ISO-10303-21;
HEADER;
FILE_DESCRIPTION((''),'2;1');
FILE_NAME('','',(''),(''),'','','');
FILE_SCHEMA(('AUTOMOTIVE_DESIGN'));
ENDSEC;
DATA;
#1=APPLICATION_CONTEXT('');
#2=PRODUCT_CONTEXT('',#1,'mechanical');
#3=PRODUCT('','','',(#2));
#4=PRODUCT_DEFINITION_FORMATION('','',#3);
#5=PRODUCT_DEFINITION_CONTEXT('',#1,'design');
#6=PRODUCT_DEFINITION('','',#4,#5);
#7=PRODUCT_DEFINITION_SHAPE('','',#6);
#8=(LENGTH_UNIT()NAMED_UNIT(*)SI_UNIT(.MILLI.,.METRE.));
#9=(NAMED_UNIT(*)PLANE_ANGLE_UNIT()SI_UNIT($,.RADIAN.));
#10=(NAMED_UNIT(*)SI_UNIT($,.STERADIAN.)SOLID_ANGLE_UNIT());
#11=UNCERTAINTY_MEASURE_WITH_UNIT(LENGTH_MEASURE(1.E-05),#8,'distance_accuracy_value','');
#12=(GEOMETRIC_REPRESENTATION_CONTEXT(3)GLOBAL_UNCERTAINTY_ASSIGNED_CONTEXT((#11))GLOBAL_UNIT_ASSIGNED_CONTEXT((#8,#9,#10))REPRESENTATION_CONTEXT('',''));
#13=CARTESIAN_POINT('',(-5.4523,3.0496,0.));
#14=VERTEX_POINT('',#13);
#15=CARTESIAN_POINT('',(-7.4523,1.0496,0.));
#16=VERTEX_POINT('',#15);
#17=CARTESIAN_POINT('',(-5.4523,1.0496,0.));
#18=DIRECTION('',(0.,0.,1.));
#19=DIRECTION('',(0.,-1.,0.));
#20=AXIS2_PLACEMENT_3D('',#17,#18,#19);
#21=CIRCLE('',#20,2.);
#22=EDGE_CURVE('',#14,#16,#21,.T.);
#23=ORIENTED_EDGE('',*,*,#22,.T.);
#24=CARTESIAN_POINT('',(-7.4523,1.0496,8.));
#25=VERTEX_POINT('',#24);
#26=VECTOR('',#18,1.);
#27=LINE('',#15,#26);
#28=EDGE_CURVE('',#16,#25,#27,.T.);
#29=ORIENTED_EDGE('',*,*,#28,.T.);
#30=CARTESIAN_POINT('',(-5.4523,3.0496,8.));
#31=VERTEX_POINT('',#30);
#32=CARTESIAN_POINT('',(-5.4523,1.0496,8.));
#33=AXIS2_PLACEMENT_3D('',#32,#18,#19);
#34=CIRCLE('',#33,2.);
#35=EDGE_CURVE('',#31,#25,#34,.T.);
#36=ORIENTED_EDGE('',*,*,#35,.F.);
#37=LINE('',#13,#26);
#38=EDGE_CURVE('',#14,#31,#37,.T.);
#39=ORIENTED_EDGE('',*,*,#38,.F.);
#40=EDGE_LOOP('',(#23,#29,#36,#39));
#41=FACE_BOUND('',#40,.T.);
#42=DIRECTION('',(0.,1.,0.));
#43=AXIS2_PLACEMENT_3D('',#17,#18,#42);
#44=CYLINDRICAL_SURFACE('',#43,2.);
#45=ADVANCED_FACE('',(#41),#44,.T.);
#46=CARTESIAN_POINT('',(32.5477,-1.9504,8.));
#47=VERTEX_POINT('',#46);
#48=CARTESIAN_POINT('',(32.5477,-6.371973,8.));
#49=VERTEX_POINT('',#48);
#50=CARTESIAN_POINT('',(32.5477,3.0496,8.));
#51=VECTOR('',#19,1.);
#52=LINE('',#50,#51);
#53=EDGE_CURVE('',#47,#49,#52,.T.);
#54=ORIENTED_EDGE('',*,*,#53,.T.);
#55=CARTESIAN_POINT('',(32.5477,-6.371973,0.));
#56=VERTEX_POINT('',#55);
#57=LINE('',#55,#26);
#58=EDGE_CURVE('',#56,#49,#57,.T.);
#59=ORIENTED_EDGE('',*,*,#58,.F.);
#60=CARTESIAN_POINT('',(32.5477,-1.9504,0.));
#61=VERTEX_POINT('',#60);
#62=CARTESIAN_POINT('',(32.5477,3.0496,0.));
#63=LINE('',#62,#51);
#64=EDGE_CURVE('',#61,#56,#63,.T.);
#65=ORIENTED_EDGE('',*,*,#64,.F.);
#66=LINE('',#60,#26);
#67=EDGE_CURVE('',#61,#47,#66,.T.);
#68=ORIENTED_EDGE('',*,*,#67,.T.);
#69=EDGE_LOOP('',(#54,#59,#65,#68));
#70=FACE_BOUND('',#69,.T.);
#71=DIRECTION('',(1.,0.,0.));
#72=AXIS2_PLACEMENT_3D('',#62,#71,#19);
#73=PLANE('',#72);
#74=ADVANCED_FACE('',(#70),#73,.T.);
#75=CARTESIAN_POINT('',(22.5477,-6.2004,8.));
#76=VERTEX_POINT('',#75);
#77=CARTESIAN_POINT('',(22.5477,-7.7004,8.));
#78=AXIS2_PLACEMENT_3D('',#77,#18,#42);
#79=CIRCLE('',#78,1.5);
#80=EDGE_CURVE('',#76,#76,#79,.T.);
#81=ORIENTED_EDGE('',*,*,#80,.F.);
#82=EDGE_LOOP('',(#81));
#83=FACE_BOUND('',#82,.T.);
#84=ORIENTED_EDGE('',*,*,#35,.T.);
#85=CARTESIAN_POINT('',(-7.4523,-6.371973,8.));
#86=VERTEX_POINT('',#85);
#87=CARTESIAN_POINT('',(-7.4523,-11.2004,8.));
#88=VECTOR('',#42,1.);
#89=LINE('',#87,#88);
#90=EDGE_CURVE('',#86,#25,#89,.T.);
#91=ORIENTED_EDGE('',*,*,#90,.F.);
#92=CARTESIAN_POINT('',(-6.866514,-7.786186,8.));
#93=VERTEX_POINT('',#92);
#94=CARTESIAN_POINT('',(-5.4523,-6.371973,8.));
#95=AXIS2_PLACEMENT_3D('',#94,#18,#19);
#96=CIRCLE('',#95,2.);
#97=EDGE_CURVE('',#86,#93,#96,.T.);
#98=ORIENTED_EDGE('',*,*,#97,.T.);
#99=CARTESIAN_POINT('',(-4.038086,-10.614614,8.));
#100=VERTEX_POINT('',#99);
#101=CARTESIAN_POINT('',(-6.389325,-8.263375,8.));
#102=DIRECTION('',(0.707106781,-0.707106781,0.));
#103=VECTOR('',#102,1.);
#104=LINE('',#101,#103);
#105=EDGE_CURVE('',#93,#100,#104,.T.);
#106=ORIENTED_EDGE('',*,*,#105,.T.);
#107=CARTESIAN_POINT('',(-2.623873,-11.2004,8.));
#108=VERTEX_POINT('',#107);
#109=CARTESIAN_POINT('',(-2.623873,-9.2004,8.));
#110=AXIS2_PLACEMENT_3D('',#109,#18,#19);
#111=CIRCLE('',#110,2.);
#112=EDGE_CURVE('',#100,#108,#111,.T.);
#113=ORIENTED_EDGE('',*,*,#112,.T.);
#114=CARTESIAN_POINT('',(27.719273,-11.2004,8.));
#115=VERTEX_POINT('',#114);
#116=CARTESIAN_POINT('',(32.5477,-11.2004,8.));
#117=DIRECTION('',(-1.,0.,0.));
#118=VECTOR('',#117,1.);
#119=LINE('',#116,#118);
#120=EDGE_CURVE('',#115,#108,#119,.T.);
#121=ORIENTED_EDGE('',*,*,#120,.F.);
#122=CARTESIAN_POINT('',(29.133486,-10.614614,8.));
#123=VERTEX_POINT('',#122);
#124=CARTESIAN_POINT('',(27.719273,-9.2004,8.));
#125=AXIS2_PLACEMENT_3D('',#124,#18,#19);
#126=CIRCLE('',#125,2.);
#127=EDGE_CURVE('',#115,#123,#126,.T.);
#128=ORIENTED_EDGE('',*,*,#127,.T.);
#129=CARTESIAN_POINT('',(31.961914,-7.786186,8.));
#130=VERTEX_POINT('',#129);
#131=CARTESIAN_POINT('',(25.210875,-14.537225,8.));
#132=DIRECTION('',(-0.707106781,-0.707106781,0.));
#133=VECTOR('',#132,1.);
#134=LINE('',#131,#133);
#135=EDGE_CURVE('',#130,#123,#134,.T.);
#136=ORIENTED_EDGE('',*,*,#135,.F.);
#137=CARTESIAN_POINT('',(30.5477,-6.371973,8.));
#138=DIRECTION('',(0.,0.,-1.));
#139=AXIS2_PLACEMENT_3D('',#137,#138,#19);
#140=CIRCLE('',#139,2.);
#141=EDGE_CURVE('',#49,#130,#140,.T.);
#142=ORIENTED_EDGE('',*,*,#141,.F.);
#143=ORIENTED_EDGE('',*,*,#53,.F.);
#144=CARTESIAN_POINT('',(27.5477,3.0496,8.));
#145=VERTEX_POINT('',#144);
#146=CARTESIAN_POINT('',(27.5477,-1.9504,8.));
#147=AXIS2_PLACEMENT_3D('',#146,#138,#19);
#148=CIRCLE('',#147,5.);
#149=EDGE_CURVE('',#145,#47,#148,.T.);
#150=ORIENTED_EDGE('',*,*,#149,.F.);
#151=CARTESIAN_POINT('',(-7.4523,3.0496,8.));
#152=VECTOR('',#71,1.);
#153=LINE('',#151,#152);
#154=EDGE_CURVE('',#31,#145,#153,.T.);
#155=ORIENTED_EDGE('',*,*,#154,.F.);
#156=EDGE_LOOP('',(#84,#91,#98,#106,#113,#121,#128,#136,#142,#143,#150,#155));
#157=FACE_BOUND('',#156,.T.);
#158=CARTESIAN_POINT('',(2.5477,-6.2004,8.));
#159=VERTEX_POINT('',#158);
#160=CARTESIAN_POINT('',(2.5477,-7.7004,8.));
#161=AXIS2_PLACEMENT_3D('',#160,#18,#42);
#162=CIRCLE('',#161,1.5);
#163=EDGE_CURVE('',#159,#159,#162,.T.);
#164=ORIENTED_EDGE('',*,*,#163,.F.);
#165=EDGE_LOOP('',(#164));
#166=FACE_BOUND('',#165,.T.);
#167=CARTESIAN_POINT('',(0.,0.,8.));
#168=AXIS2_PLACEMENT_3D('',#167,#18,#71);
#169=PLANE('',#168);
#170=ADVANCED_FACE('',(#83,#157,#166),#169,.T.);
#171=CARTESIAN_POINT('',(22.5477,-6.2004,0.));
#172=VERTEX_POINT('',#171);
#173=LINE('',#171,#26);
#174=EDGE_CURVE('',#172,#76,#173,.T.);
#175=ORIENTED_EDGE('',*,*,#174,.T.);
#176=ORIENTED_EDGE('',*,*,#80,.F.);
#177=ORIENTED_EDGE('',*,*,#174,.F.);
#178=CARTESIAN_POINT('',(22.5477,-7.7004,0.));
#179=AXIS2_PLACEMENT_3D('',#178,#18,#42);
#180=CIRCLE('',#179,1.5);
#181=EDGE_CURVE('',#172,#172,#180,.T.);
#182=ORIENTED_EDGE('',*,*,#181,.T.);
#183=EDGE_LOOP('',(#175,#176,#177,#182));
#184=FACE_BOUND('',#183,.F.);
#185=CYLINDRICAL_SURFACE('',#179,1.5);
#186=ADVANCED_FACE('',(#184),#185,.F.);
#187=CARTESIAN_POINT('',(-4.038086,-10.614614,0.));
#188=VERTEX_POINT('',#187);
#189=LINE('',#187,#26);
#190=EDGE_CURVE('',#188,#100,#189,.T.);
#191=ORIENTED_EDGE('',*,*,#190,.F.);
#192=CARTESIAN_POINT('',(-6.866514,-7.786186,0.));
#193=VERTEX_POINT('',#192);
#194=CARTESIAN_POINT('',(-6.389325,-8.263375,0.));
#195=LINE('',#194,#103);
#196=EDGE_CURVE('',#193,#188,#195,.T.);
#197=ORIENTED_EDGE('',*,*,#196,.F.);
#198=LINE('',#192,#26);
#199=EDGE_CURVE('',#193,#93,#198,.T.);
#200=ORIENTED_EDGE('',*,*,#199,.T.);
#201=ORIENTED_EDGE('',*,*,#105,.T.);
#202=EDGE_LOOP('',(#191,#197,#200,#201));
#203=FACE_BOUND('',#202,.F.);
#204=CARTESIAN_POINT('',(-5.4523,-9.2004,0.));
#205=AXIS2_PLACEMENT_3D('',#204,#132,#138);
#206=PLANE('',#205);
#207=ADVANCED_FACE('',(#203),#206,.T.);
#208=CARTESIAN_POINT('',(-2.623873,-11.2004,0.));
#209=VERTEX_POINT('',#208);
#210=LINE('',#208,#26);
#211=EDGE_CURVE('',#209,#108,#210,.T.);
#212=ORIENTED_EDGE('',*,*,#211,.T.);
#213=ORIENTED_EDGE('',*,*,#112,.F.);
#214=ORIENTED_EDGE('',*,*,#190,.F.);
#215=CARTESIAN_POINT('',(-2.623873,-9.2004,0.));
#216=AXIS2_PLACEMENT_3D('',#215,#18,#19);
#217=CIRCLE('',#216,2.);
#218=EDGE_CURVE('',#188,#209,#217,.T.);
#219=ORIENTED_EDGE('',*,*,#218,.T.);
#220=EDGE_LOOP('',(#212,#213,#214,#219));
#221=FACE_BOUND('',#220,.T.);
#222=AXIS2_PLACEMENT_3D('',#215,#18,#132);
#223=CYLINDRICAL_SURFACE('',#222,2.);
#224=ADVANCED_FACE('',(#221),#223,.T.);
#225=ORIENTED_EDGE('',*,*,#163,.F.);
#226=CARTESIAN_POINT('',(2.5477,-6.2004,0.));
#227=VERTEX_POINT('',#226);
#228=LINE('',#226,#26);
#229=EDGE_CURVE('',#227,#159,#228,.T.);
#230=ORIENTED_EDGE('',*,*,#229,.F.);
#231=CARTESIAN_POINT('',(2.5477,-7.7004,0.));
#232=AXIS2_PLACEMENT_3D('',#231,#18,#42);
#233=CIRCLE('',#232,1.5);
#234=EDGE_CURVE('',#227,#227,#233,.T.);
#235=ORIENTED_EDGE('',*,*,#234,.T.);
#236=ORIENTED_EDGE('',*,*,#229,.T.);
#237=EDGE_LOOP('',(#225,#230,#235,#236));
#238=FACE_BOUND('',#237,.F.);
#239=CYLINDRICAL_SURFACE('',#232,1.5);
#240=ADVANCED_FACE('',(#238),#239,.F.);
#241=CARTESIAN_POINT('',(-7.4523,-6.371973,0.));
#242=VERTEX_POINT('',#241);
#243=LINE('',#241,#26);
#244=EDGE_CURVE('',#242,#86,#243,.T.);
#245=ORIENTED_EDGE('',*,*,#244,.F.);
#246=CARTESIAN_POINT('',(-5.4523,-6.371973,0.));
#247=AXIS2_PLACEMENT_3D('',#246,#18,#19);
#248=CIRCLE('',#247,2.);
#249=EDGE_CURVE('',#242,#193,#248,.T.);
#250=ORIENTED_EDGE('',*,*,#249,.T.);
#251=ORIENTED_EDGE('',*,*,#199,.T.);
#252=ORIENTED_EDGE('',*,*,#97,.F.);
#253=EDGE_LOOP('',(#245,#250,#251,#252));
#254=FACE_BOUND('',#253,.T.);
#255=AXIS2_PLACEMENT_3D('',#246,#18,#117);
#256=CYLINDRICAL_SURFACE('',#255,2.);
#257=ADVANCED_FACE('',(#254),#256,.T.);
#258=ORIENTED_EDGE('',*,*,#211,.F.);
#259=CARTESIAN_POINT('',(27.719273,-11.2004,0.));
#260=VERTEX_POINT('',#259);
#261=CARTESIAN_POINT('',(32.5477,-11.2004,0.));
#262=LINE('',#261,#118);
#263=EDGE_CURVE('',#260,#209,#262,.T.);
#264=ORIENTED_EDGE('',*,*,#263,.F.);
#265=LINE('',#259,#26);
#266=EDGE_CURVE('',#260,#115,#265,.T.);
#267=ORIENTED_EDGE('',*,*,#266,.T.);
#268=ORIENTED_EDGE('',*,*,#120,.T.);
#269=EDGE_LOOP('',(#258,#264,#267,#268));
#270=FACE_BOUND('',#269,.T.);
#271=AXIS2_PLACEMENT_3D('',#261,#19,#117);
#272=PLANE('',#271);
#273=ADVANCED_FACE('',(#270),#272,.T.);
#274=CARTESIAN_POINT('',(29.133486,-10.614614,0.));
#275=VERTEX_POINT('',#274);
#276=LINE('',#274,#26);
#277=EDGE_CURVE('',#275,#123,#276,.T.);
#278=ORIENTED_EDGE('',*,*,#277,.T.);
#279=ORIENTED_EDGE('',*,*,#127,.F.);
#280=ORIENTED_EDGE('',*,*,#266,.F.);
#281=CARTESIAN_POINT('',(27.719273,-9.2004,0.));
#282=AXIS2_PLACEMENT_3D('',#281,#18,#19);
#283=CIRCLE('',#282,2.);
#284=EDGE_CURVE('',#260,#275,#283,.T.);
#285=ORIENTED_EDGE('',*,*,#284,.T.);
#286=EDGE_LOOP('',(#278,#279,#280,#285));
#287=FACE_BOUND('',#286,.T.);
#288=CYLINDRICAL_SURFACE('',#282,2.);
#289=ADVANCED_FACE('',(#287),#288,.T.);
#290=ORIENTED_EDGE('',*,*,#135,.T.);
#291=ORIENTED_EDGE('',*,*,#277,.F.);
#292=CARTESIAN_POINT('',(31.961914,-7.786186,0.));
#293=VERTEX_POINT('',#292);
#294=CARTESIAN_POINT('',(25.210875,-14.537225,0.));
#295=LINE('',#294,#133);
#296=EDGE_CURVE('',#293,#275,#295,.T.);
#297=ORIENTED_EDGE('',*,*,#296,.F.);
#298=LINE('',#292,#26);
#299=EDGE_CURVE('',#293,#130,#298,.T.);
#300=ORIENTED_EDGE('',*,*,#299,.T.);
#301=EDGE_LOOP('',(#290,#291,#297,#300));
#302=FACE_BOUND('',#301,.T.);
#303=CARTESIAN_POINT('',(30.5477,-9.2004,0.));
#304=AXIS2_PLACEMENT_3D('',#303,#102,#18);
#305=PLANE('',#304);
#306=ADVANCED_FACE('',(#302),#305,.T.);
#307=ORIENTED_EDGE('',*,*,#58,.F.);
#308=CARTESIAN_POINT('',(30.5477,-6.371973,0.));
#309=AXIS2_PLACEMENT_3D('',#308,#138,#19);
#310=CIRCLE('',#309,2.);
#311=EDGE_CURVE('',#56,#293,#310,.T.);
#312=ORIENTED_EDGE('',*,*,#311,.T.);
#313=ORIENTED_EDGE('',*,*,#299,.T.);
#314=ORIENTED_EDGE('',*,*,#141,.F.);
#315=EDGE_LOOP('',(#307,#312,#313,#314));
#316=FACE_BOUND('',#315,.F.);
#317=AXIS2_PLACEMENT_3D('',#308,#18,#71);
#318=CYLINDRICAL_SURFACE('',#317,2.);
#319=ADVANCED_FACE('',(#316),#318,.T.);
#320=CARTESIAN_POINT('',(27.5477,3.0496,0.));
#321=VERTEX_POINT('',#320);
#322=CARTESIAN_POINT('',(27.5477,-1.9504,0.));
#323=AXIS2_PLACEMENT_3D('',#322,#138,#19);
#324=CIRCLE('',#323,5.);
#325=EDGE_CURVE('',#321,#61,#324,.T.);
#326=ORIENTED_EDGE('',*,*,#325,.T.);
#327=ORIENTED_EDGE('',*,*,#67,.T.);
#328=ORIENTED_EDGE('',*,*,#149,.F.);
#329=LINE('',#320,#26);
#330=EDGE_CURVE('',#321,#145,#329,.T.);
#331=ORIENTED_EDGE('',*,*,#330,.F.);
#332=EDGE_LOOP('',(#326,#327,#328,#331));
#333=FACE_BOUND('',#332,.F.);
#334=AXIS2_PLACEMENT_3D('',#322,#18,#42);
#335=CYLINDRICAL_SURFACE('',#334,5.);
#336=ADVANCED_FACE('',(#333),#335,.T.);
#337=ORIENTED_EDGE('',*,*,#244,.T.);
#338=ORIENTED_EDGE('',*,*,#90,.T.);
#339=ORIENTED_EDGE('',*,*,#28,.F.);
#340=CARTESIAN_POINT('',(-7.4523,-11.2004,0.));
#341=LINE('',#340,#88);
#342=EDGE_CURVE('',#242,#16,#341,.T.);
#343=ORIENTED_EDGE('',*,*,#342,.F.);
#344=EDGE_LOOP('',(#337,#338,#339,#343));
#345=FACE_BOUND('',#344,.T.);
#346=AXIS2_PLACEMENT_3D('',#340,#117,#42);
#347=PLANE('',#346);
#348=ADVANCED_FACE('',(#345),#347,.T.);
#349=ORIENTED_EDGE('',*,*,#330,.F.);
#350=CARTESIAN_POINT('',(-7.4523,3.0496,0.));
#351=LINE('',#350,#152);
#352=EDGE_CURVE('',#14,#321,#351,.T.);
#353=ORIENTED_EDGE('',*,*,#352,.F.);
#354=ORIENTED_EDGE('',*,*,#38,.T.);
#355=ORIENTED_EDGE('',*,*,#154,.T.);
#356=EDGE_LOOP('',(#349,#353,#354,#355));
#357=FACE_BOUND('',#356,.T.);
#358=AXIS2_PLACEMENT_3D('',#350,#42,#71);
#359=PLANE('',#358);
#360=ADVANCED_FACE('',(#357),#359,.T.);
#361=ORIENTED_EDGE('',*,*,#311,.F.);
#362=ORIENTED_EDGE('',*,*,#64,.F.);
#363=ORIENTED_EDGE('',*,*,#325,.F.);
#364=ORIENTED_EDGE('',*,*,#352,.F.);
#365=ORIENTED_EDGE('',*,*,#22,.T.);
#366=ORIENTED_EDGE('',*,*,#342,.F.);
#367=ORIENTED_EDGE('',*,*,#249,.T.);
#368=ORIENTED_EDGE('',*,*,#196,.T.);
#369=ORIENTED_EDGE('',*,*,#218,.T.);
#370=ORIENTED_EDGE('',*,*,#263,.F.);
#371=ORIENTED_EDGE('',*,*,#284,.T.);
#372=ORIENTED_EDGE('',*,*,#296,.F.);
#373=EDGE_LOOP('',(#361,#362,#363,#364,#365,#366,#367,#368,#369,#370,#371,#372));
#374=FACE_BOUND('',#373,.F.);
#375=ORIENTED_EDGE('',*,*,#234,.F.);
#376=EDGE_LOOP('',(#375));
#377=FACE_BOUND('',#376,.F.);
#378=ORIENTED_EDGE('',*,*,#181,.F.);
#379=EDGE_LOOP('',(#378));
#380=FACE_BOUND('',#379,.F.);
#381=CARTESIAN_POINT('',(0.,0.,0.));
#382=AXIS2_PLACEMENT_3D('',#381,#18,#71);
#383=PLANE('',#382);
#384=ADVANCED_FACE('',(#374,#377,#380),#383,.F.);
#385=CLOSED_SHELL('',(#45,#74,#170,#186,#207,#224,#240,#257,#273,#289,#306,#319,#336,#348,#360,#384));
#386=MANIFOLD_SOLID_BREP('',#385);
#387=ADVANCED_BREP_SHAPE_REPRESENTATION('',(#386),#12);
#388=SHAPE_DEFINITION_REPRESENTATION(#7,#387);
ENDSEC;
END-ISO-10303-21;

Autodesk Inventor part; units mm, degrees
ref_plane "YZ Plane" through (0, 0, 0) normal (1, 0, 0) x (0, 1, 0)
ref_plane "XZ Plane" through (0, 0, 0) normal (0, 1, 0) x (-1, 0, 0)
ref_plane "XY Plane" through (0, 0, 0) normal (0, 0, 1) x (1, 0, 0)
sketch "Szkic1" plane through (0, 0, 0) normal (0, 0, 1) x (1, 0, 0)
  line L0 (-7.4523, 3.0496) -> (32.5477, 3.0496)
  line L1 (32.5477, 3.0496) -> (32.5477, -11.2004)
  line L2 (32.5477, -11.2004) -> (-7.4523, -11.2004)
  line L3 (-7.4523, -11.2004) -> (-7.4523, 3.0496)
  point P0 (0, 0)
  point P1 (2.5477, -7.7004)
  point P2 (22.5477, -7.7004)
  dimension "d0" = 40
  dimension "d1" = 14.25
  dimension "d2" = 3.5
  dimension "d3" = 3.5
  dimension "d4" = 10
  dimension "d5" = 10
extrude "Wyciągnięcie proste1" add sketch "Szkic1" along normal blind 8
hole "Otwór1" at (2.5477, -7.7004, 0) at (22.5477, -7.7004, 0) direction (0, 0, 1) diameter 3 end through all
chamfer "Faza1" distance 4 angle 45 2 edges at (-7.4523, -11.2004, 4) (32.5477, -11.2004, 4)
fillet "Zaokrąglenie1" radius 2 4 edges at (32.5477, -7.2004, 4) (28.5477, -11.2004, 4) (-3.4523, -11.2004, 4) (-7.4523, -7.2004, 4)
fillet "Zaokrąglenie4" radius 5 1 edges at (32.5477, 3.0496, 4)
fillet "Zaokrąglenie5" radius 2 1 edges at (-7.4523, 3.0496, 4)
properties part number "3DP_ABS_Y_Axis_Cable_Chain_Mounting_Bracket"
